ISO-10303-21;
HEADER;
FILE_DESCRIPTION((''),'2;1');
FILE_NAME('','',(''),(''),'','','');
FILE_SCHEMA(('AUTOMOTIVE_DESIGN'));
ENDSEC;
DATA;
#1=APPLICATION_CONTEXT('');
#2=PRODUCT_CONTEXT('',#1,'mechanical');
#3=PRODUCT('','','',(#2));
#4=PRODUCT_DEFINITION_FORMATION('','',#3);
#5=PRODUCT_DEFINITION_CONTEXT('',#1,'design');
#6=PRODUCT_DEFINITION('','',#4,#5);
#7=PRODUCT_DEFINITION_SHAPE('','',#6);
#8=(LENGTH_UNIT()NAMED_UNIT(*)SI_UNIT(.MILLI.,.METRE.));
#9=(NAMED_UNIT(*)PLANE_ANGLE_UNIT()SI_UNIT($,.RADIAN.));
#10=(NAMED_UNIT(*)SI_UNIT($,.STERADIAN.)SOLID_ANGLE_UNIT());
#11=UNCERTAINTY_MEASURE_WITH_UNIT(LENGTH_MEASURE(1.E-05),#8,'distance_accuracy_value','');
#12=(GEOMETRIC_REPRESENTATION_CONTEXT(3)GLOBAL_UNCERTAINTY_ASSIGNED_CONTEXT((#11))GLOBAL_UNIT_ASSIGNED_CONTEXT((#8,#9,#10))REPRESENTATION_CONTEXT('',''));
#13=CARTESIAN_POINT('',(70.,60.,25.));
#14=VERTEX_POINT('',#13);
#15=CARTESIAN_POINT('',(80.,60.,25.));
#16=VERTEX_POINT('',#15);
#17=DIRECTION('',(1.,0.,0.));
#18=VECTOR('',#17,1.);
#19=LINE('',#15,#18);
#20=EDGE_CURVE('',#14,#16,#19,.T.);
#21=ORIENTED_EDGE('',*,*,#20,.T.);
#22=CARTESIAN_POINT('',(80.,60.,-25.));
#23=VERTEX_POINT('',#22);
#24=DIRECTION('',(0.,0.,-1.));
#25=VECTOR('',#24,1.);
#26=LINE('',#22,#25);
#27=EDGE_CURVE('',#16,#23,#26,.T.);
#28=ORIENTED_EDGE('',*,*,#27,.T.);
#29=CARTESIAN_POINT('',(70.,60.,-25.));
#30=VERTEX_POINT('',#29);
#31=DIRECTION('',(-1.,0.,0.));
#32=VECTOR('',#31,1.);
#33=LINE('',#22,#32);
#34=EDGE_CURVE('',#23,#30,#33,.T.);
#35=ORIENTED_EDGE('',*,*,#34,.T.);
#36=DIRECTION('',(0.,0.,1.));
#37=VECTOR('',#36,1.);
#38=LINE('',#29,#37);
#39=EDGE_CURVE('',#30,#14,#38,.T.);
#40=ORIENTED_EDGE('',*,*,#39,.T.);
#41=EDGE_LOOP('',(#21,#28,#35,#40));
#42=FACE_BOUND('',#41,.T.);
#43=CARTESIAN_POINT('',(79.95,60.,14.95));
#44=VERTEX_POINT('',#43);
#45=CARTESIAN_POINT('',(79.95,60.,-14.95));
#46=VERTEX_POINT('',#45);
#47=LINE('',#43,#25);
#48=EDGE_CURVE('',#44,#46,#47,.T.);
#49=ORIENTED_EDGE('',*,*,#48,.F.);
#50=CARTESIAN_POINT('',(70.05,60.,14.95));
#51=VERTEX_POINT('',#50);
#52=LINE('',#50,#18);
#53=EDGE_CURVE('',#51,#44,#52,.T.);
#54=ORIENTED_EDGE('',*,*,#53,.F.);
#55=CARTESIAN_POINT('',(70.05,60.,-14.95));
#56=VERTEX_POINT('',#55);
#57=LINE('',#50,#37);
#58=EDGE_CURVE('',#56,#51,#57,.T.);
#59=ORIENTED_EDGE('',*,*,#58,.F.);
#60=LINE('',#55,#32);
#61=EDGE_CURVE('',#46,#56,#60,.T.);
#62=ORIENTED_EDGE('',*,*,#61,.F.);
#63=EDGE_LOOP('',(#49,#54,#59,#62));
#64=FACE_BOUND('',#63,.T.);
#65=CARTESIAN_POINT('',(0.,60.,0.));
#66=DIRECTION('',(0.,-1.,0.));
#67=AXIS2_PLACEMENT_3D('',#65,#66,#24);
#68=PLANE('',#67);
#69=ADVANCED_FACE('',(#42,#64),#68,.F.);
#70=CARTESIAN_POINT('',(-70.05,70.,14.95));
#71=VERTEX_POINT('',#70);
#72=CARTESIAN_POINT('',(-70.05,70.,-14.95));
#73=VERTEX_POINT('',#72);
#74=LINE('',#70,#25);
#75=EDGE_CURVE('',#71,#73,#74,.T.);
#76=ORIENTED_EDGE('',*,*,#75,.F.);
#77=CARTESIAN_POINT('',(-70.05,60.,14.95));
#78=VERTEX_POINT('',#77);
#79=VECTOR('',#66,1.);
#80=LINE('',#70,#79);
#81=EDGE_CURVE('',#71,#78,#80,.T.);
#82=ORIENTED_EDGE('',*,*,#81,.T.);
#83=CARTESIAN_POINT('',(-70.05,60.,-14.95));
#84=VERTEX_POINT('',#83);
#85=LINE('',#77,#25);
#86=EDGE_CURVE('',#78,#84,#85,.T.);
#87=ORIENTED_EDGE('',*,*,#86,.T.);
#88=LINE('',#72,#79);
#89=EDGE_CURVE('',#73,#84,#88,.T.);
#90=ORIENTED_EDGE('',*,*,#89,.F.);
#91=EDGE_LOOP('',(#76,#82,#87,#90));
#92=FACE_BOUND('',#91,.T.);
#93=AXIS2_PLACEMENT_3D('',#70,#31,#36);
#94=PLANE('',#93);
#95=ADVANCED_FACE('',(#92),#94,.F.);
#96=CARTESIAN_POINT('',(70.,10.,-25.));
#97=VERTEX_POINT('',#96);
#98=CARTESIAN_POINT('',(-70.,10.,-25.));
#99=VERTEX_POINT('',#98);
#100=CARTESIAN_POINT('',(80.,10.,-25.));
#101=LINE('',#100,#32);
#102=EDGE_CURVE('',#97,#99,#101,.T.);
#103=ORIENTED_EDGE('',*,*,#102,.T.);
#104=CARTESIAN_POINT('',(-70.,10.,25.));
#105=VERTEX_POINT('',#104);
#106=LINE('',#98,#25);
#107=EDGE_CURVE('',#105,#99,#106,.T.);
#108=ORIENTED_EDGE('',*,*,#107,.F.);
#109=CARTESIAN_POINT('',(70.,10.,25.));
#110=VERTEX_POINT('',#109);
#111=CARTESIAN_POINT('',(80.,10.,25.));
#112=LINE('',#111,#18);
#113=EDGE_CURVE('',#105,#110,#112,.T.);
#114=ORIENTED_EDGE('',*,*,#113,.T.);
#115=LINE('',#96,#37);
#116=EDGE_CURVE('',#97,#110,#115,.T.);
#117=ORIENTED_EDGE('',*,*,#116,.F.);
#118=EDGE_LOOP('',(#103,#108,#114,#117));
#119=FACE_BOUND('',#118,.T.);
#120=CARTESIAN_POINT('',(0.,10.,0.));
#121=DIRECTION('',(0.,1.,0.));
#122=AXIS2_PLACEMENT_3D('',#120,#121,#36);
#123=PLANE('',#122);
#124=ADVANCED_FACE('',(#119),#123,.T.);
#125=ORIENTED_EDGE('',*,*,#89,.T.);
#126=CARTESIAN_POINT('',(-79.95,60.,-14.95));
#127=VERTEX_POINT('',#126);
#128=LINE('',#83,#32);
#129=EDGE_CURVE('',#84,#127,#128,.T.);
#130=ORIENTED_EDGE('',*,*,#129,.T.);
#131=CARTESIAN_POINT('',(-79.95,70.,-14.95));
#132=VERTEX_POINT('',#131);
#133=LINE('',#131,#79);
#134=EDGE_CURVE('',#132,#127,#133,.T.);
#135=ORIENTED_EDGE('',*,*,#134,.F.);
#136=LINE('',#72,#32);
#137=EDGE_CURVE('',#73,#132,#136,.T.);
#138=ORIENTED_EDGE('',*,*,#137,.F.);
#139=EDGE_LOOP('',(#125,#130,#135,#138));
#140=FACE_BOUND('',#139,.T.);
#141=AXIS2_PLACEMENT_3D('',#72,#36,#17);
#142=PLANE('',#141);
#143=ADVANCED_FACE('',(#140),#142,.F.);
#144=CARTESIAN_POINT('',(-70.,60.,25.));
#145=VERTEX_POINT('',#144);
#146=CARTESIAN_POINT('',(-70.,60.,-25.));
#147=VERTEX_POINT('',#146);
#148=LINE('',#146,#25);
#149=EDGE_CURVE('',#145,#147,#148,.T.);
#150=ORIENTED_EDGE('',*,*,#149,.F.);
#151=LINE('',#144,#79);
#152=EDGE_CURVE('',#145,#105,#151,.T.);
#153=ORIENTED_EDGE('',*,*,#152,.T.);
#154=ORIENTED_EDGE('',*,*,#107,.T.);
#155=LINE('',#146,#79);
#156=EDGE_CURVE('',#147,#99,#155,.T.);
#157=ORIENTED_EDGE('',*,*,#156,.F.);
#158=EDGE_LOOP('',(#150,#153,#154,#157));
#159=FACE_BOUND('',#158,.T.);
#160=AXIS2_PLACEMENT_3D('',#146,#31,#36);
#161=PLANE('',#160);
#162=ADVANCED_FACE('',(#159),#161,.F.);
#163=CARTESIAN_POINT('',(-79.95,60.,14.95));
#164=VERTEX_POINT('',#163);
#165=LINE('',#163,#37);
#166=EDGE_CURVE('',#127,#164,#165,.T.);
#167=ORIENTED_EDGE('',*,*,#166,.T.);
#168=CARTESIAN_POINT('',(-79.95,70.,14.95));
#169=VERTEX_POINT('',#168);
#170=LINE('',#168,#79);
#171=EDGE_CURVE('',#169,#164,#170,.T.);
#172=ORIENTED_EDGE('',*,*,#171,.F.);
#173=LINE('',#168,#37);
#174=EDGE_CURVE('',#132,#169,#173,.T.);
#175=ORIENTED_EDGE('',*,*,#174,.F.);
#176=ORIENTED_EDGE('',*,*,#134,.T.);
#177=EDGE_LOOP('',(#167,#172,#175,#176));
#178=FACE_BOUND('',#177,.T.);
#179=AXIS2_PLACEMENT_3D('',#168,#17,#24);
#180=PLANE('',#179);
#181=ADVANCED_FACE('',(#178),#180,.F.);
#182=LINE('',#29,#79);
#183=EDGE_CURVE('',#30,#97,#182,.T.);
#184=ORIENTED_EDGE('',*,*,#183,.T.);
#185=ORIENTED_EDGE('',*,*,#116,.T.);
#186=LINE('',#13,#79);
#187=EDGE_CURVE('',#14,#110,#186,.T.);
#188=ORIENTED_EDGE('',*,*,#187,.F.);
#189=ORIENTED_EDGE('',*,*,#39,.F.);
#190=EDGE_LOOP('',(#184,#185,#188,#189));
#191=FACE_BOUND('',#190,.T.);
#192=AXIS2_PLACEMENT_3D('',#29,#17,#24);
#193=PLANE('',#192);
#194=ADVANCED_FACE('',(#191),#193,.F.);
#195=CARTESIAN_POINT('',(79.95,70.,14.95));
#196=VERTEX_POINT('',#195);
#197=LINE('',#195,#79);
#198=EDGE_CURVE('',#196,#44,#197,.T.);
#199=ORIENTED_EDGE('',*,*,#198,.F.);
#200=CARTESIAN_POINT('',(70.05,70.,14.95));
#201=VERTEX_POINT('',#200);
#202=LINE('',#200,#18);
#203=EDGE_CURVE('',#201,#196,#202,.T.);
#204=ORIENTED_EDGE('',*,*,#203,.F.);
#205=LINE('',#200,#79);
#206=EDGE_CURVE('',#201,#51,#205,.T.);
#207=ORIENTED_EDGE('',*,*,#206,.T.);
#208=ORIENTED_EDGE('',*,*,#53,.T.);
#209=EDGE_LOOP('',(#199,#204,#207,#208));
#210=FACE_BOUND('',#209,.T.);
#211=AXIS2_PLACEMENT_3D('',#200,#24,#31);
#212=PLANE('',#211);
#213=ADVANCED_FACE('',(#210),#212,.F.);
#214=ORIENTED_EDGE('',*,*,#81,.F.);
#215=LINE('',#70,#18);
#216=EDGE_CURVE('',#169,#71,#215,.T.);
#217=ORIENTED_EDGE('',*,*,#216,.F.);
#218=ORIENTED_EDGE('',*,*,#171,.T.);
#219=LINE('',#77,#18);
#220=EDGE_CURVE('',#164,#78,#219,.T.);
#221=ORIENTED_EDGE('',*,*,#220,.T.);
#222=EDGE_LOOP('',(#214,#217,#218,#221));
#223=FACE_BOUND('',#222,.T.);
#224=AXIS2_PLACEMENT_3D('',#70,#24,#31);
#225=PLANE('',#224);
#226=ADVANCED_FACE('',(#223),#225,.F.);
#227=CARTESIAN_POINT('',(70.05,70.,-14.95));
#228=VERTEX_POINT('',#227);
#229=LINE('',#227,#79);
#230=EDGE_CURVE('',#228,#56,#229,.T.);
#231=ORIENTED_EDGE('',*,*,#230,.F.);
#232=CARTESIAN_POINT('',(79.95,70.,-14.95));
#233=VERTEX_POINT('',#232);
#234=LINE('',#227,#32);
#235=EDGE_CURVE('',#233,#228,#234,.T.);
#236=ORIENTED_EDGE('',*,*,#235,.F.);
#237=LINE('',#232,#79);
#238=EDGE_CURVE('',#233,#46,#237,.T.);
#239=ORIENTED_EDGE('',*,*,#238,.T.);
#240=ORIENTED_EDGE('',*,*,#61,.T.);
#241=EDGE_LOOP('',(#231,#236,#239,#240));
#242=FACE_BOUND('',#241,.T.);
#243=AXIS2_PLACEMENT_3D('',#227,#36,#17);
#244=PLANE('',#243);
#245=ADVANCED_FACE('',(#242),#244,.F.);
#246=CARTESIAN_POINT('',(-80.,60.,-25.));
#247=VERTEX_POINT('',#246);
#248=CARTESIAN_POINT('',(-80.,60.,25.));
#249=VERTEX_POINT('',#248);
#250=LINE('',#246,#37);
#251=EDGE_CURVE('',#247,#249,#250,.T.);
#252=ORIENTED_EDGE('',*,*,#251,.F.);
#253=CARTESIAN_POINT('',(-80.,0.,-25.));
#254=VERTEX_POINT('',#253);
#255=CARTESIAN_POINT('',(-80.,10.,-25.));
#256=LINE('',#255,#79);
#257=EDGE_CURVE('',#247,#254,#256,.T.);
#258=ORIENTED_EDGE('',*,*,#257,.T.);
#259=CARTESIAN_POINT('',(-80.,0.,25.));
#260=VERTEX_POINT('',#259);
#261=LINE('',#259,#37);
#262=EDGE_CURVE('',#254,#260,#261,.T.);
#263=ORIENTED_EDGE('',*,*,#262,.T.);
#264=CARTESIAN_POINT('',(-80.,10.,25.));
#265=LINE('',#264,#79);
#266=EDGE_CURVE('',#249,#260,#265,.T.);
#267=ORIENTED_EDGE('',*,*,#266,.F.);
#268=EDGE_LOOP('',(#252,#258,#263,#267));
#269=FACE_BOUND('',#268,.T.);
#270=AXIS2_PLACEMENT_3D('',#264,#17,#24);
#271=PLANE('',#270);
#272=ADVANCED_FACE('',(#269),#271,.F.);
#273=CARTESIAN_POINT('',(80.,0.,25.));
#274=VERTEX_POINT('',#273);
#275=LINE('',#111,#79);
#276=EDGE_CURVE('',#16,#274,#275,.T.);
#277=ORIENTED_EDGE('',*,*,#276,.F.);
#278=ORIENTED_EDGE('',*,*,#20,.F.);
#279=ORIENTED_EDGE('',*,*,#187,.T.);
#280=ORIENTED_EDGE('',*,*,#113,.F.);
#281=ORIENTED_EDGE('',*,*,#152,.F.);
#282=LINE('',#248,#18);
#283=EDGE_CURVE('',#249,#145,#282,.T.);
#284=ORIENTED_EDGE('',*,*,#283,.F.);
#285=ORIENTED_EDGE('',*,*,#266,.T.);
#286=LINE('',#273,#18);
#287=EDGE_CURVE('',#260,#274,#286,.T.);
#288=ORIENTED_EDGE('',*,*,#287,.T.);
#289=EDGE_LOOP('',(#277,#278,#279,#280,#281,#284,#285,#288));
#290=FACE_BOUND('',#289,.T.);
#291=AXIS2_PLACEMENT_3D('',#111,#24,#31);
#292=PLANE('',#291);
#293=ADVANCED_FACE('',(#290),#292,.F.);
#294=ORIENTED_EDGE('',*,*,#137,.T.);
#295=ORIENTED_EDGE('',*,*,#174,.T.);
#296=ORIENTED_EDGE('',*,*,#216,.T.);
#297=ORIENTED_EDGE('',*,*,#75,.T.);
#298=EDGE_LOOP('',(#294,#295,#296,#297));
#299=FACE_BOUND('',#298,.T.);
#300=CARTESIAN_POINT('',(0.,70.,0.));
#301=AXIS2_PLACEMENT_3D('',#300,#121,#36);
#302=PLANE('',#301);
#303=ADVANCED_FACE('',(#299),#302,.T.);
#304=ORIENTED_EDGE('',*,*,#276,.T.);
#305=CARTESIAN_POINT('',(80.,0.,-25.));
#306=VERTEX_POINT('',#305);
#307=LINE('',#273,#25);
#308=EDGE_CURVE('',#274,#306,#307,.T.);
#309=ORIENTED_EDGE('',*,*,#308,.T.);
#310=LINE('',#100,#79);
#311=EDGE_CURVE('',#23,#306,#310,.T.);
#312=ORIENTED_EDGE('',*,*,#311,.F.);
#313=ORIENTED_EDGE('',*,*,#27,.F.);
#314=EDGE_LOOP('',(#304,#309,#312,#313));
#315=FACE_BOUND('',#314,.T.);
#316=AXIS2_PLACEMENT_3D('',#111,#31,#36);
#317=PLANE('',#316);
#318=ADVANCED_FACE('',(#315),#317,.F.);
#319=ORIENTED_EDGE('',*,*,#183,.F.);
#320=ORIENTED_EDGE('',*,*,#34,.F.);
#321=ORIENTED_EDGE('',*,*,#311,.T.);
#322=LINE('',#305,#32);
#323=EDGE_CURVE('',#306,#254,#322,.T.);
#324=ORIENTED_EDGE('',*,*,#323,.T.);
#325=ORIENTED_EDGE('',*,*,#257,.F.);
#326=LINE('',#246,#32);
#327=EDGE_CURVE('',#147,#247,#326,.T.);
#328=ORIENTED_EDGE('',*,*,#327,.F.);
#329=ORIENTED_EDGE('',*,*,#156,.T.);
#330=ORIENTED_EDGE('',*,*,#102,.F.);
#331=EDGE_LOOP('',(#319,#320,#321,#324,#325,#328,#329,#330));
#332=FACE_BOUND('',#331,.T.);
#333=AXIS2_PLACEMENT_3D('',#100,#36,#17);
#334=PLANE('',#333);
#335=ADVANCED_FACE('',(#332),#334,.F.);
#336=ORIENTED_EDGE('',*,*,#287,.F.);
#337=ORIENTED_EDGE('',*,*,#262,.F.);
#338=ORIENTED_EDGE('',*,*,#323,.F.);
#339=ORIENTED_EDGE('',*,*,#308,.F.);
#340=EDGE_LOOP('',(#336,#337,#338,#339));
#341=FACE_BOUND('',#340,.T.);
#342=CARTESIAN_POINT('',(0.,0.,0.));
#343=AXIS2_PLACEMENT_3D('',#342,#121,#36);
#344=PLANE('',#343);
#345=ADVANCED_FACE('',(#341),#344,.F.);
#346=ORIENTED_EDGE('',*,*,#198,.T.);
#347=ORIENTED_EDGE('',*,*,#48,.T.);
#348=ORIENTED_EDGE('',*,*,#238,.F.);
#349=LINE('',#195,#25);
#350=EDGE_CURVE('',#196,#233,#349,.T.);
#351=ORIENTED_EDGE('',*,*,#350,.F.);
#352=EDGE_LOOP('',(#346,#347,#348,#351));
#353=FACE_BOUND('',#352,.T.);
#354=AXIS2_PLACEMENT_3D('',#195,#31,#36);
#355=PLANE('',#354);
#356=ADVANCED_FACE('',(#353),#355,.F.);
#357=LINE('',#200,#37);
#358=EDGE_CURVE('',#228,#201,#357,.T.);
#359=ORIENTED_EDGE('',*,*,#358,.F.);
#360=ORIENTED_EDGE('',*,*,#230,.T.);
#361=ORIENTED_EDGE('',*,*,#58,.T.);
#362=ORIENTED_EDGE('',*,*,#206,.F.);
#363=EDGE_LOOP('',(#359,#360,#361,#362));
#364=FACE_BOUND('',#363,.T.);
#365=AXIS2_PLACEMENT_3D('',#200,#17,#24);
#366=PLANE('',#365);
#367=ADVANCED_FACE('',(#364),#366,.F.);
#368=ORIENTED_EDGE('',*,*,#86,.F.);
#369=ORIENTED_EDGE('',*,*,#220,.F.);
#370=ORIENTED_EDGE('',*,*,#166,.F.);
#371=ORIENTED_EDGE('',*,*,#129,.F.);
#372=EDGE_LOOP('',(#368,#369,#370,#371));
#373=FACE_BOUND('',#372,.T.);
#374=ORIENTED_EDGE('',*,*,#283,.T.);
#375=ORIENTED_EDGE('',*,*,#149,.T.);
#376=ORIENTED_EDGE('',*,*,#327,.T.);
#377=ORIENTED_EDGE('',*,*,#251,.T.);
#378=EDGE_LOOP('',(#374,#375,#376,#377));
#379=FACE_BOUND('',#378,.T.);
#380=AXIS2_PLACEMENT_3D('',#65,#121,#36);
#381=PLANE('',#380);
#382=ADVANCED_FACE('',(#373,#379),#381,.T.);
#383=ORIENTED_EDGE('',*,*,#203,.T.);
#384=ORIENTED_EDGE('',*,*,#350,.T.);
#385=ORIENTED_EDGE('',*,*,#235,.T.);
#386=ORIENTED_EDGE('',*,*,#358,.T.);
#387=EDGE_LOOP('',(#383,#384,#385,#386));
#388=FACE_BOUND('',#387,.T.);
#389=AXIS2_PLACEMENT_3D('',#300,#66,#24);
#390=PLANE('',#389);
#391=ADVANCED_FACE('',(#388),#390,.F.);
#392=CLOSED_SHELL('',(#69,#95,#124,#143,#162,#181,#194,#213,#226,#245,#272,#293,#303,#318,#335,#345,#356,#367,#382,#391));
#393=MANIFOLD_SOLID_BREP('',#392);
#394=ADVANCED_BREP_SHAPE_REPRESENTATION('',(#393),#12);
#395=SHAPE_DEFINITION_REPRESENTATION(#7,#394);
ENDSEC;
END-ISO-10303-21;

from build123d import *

# Parameters (mm, degrees)
SKETCH1_W           = 160
SKETCH1_H           = 50
BOSS_EXTRUDE1_DEPTH = 10
SKETCH2_W           = 10
SKETCH2_H           = 50
BOSS_EXTRUDE2_DEPTH = 50
SKETCH3_W           = 9.9
SKETCH3_H           = 29.9
BOSS_EXTRUDE3_DEPTH = 10


with BuildPart() as part:
    # Sketch1 → Boss-Extrude1 (new body)
    with BuildSketch(Plane(origin=(0, 0, 0), x_dir=(1, 0, 0), z_dir=(0, 1, 0))):
        Rectangle(SKETCH1_W, SKETCH1_H)
    extrude(amount=BOSS_EXTRUDE1_DEPTH)

    # Sketch2 → Boss-Extrude2 (add)
    with BuildSketch(Plane(origin=(0, 10, 0), x_dir=(1, 0, 0), z_dir=(0, 1, 0))):
        with Locations((-75, 0)):
            Rectangle(SKETCH2_W, SKETCH2_H)
        with Locations((75, 0)):
            Rectangle(SKETCH2_W, SKETCH2_H)
    extrude(amount=BOSS_EXTRUDE2_DEPTH)

    # Sketch3 → Boss-Extrude3 (add)
    with BuildSketch(Plane(origin=(0, 60, 0), x_dir=(1, 0, 0), z_dir=(0, 1, 0))):
        with Locations((-75, 0)):
            Rectangle(SKETCH3_W, SKETCH3_H)
        with Locations((75, 0)):
            Rectangle(SKETCH3_W, SKETCH3_H)
    extrude(amount=BOSS_EXTRUDE3_DEPTH)


solid = part.part
